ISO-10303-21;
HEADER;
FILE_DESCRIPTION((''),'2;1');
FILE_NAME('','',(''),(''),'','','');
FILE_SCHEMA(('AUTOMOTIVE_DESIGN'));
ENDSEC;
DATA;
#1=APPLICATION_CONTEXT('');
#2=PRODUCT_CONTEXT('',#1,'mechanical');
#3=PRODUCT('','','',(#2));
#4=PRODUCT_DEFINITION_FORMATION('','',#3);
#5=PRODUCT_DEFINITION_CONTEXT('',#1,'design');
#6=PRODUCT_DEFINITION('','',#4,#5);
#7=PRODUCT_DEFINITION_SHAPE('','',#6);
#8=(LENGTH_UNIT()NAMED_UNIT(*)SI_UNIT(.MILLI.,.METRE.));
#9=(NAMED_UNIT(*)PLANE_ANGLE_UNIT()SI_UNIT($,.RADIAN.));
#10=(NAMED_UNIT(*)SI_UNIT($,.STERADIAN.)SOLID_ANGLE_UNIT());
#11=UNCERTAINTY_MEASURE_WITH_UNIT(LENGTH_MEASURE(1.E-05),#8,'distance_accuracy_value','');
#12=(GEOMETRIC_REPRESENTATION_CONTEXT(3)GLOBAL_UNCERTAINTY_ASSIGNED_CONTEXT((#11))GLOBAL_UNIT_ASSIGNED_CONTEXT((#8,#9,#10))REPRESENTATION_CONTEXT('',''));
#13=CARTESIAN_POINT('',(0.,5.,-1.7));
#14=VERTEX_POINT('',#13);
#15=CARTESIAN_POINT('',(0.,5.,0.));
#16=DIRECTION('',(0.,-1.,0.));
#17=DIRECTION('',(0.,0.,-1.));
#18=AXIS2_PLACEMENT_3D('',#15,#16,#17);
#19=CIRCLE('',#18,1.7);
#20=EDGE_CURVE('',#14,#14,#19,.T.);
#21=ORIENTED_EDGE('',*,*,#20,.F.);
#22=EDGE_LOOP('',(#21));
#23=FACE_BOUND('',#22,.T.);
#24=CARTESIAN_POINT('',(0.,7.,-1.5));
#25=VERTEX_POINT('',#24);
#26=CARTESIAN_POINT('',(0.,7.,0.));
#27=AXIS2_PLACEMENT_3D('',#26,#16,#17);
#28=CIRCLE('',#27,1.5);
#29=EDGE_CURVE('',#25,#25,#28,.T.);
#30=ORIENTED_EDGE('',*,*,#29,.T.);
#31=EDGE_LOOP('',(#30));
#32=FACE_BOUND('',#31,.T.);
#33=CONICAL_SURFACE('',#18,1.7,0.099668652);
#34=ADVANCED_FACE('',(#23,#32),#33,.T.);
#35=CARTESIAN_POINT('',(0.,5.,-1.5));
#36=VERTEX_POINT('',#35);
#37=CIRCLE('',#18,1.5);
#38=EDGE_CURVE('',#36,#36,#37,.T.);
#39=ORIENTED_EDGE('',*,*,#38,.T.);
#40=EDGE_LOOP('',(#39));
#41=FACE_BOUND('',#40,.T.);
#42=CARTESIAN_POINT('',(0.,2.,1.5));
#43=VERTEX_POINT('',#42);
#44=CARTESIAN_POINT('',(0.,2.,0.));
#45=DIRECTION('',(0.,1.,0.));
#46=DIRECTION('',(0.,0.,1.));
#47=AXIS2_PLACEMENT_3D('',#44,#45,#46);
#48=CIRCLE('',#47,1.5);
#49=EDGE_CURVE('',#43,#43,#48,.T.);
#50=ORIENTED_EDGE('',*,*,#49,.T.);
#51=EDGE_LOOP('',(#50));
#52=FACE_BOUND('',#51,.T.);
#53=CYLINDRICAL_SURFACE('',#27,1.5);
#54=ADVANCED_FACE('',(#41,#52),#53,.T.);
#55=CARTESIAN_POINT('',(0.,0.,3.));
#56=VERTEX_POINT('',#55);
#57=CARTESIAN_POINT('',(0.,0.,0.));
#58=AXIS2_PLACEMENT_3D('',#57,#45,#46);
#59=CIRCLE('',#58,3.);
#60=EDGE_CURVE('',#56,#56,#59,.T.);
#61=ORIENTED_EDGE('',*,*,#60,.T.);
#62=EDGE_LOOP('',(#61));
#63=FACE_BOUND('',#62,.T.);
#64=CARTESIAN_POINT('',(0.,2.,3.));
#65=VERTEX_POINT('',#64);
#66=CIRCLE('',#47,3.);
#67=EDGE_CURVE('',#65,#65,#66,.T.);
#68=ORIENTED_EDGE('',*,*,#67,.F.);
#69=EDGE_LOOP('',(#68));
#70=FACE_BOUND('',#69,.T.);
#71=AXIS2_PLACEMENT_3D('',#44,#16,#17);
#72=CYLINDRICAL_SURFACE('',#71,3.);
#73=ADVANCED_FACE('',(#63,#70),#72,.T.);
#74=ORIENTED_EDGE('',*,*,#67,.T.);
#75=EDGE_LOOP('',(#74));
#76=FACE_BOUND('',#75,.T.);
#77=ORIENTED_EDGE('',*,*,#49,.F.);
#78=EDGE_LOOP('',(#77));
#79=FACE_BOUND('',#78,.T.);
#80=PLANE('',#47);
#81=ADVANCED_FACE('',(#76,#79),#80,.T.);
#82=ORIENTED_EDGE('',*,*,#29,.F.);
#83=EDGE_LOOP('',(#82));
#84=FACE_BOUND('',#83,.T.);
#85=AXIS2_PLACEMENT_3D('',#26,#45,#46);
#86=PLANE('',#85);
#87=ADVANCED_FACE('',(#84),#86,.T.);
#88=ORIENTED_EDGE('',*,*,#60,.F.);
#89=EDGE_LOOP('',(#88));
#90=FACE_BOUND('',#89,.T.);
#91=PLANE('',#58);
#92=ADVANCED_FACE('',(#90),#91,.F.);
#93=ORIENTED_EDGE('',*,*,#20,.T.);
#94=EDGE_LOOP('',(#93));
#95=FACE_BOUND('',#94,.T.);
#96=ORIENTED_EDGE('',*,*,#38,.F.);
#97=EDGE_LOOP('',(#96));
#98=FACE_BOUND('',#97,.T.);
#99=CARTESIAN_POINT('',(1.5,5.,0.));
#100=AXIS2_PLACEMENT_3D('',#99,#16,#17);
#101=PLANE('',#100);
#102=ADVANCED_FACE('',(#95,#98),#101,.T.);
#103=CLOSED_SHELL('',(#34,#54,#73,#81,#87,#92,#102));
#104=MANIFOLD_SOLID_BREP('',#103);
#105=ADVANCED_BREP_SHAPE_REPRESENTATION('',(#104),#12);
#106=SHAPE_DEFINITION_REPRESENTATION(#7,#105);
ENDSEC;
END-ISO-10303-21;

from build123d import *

# Parameters (mm, degrees)
SKETCH1_R           = 3
BOSS_EXTRUDE1_DEPTH = 2
SKETCH2_R           = 1.5
BOSS_EXTRUDE2_DEPTH = 5


with BuildPart() as part:
    # Sketch1 → Boss-Extrude1 (new body)
    with BuildSketch(Plane(origin=(0, 0, 0), x_dir=(1, 0, 0), z_dir=(0, 1, 0))):
        with Locations(Location((0, 0, 0), (0, 0, 270))):
            Circle(SKETCH1_R)
    extrude(amount=BOSS_EXTRUDE1_DEPTH)

    # Sketch2 → Boss-Extrude2 (add)
    with BuildSketch(Plane(origin=(0, 2, 0), x_dir=(1, 0, 0), z_dir=(0, 1, 0))):
        with Locations(Location((0, 0, 0), (0, 0, 270))):
            Circle(SKETCH2_R)
    extrude(amount=BOSS_EXTRUDE2_DEPTH)

    # Sketch3 → Revolve1 (revolve)
    with BuildSketch(Plane.XY, mode=Mode.PRIVATE) as revolve1_sk:
        Polygon((1.5, 7), (1.5, 5), (1.7, 5), align=None)
    revolve(revolve1_sk.sketch.rotate(Axis((0, 0, 0), (0, 1, 0)), 90), axis=Axis((0, 0, 0), (0, 1, 0)))


solid = part.part
